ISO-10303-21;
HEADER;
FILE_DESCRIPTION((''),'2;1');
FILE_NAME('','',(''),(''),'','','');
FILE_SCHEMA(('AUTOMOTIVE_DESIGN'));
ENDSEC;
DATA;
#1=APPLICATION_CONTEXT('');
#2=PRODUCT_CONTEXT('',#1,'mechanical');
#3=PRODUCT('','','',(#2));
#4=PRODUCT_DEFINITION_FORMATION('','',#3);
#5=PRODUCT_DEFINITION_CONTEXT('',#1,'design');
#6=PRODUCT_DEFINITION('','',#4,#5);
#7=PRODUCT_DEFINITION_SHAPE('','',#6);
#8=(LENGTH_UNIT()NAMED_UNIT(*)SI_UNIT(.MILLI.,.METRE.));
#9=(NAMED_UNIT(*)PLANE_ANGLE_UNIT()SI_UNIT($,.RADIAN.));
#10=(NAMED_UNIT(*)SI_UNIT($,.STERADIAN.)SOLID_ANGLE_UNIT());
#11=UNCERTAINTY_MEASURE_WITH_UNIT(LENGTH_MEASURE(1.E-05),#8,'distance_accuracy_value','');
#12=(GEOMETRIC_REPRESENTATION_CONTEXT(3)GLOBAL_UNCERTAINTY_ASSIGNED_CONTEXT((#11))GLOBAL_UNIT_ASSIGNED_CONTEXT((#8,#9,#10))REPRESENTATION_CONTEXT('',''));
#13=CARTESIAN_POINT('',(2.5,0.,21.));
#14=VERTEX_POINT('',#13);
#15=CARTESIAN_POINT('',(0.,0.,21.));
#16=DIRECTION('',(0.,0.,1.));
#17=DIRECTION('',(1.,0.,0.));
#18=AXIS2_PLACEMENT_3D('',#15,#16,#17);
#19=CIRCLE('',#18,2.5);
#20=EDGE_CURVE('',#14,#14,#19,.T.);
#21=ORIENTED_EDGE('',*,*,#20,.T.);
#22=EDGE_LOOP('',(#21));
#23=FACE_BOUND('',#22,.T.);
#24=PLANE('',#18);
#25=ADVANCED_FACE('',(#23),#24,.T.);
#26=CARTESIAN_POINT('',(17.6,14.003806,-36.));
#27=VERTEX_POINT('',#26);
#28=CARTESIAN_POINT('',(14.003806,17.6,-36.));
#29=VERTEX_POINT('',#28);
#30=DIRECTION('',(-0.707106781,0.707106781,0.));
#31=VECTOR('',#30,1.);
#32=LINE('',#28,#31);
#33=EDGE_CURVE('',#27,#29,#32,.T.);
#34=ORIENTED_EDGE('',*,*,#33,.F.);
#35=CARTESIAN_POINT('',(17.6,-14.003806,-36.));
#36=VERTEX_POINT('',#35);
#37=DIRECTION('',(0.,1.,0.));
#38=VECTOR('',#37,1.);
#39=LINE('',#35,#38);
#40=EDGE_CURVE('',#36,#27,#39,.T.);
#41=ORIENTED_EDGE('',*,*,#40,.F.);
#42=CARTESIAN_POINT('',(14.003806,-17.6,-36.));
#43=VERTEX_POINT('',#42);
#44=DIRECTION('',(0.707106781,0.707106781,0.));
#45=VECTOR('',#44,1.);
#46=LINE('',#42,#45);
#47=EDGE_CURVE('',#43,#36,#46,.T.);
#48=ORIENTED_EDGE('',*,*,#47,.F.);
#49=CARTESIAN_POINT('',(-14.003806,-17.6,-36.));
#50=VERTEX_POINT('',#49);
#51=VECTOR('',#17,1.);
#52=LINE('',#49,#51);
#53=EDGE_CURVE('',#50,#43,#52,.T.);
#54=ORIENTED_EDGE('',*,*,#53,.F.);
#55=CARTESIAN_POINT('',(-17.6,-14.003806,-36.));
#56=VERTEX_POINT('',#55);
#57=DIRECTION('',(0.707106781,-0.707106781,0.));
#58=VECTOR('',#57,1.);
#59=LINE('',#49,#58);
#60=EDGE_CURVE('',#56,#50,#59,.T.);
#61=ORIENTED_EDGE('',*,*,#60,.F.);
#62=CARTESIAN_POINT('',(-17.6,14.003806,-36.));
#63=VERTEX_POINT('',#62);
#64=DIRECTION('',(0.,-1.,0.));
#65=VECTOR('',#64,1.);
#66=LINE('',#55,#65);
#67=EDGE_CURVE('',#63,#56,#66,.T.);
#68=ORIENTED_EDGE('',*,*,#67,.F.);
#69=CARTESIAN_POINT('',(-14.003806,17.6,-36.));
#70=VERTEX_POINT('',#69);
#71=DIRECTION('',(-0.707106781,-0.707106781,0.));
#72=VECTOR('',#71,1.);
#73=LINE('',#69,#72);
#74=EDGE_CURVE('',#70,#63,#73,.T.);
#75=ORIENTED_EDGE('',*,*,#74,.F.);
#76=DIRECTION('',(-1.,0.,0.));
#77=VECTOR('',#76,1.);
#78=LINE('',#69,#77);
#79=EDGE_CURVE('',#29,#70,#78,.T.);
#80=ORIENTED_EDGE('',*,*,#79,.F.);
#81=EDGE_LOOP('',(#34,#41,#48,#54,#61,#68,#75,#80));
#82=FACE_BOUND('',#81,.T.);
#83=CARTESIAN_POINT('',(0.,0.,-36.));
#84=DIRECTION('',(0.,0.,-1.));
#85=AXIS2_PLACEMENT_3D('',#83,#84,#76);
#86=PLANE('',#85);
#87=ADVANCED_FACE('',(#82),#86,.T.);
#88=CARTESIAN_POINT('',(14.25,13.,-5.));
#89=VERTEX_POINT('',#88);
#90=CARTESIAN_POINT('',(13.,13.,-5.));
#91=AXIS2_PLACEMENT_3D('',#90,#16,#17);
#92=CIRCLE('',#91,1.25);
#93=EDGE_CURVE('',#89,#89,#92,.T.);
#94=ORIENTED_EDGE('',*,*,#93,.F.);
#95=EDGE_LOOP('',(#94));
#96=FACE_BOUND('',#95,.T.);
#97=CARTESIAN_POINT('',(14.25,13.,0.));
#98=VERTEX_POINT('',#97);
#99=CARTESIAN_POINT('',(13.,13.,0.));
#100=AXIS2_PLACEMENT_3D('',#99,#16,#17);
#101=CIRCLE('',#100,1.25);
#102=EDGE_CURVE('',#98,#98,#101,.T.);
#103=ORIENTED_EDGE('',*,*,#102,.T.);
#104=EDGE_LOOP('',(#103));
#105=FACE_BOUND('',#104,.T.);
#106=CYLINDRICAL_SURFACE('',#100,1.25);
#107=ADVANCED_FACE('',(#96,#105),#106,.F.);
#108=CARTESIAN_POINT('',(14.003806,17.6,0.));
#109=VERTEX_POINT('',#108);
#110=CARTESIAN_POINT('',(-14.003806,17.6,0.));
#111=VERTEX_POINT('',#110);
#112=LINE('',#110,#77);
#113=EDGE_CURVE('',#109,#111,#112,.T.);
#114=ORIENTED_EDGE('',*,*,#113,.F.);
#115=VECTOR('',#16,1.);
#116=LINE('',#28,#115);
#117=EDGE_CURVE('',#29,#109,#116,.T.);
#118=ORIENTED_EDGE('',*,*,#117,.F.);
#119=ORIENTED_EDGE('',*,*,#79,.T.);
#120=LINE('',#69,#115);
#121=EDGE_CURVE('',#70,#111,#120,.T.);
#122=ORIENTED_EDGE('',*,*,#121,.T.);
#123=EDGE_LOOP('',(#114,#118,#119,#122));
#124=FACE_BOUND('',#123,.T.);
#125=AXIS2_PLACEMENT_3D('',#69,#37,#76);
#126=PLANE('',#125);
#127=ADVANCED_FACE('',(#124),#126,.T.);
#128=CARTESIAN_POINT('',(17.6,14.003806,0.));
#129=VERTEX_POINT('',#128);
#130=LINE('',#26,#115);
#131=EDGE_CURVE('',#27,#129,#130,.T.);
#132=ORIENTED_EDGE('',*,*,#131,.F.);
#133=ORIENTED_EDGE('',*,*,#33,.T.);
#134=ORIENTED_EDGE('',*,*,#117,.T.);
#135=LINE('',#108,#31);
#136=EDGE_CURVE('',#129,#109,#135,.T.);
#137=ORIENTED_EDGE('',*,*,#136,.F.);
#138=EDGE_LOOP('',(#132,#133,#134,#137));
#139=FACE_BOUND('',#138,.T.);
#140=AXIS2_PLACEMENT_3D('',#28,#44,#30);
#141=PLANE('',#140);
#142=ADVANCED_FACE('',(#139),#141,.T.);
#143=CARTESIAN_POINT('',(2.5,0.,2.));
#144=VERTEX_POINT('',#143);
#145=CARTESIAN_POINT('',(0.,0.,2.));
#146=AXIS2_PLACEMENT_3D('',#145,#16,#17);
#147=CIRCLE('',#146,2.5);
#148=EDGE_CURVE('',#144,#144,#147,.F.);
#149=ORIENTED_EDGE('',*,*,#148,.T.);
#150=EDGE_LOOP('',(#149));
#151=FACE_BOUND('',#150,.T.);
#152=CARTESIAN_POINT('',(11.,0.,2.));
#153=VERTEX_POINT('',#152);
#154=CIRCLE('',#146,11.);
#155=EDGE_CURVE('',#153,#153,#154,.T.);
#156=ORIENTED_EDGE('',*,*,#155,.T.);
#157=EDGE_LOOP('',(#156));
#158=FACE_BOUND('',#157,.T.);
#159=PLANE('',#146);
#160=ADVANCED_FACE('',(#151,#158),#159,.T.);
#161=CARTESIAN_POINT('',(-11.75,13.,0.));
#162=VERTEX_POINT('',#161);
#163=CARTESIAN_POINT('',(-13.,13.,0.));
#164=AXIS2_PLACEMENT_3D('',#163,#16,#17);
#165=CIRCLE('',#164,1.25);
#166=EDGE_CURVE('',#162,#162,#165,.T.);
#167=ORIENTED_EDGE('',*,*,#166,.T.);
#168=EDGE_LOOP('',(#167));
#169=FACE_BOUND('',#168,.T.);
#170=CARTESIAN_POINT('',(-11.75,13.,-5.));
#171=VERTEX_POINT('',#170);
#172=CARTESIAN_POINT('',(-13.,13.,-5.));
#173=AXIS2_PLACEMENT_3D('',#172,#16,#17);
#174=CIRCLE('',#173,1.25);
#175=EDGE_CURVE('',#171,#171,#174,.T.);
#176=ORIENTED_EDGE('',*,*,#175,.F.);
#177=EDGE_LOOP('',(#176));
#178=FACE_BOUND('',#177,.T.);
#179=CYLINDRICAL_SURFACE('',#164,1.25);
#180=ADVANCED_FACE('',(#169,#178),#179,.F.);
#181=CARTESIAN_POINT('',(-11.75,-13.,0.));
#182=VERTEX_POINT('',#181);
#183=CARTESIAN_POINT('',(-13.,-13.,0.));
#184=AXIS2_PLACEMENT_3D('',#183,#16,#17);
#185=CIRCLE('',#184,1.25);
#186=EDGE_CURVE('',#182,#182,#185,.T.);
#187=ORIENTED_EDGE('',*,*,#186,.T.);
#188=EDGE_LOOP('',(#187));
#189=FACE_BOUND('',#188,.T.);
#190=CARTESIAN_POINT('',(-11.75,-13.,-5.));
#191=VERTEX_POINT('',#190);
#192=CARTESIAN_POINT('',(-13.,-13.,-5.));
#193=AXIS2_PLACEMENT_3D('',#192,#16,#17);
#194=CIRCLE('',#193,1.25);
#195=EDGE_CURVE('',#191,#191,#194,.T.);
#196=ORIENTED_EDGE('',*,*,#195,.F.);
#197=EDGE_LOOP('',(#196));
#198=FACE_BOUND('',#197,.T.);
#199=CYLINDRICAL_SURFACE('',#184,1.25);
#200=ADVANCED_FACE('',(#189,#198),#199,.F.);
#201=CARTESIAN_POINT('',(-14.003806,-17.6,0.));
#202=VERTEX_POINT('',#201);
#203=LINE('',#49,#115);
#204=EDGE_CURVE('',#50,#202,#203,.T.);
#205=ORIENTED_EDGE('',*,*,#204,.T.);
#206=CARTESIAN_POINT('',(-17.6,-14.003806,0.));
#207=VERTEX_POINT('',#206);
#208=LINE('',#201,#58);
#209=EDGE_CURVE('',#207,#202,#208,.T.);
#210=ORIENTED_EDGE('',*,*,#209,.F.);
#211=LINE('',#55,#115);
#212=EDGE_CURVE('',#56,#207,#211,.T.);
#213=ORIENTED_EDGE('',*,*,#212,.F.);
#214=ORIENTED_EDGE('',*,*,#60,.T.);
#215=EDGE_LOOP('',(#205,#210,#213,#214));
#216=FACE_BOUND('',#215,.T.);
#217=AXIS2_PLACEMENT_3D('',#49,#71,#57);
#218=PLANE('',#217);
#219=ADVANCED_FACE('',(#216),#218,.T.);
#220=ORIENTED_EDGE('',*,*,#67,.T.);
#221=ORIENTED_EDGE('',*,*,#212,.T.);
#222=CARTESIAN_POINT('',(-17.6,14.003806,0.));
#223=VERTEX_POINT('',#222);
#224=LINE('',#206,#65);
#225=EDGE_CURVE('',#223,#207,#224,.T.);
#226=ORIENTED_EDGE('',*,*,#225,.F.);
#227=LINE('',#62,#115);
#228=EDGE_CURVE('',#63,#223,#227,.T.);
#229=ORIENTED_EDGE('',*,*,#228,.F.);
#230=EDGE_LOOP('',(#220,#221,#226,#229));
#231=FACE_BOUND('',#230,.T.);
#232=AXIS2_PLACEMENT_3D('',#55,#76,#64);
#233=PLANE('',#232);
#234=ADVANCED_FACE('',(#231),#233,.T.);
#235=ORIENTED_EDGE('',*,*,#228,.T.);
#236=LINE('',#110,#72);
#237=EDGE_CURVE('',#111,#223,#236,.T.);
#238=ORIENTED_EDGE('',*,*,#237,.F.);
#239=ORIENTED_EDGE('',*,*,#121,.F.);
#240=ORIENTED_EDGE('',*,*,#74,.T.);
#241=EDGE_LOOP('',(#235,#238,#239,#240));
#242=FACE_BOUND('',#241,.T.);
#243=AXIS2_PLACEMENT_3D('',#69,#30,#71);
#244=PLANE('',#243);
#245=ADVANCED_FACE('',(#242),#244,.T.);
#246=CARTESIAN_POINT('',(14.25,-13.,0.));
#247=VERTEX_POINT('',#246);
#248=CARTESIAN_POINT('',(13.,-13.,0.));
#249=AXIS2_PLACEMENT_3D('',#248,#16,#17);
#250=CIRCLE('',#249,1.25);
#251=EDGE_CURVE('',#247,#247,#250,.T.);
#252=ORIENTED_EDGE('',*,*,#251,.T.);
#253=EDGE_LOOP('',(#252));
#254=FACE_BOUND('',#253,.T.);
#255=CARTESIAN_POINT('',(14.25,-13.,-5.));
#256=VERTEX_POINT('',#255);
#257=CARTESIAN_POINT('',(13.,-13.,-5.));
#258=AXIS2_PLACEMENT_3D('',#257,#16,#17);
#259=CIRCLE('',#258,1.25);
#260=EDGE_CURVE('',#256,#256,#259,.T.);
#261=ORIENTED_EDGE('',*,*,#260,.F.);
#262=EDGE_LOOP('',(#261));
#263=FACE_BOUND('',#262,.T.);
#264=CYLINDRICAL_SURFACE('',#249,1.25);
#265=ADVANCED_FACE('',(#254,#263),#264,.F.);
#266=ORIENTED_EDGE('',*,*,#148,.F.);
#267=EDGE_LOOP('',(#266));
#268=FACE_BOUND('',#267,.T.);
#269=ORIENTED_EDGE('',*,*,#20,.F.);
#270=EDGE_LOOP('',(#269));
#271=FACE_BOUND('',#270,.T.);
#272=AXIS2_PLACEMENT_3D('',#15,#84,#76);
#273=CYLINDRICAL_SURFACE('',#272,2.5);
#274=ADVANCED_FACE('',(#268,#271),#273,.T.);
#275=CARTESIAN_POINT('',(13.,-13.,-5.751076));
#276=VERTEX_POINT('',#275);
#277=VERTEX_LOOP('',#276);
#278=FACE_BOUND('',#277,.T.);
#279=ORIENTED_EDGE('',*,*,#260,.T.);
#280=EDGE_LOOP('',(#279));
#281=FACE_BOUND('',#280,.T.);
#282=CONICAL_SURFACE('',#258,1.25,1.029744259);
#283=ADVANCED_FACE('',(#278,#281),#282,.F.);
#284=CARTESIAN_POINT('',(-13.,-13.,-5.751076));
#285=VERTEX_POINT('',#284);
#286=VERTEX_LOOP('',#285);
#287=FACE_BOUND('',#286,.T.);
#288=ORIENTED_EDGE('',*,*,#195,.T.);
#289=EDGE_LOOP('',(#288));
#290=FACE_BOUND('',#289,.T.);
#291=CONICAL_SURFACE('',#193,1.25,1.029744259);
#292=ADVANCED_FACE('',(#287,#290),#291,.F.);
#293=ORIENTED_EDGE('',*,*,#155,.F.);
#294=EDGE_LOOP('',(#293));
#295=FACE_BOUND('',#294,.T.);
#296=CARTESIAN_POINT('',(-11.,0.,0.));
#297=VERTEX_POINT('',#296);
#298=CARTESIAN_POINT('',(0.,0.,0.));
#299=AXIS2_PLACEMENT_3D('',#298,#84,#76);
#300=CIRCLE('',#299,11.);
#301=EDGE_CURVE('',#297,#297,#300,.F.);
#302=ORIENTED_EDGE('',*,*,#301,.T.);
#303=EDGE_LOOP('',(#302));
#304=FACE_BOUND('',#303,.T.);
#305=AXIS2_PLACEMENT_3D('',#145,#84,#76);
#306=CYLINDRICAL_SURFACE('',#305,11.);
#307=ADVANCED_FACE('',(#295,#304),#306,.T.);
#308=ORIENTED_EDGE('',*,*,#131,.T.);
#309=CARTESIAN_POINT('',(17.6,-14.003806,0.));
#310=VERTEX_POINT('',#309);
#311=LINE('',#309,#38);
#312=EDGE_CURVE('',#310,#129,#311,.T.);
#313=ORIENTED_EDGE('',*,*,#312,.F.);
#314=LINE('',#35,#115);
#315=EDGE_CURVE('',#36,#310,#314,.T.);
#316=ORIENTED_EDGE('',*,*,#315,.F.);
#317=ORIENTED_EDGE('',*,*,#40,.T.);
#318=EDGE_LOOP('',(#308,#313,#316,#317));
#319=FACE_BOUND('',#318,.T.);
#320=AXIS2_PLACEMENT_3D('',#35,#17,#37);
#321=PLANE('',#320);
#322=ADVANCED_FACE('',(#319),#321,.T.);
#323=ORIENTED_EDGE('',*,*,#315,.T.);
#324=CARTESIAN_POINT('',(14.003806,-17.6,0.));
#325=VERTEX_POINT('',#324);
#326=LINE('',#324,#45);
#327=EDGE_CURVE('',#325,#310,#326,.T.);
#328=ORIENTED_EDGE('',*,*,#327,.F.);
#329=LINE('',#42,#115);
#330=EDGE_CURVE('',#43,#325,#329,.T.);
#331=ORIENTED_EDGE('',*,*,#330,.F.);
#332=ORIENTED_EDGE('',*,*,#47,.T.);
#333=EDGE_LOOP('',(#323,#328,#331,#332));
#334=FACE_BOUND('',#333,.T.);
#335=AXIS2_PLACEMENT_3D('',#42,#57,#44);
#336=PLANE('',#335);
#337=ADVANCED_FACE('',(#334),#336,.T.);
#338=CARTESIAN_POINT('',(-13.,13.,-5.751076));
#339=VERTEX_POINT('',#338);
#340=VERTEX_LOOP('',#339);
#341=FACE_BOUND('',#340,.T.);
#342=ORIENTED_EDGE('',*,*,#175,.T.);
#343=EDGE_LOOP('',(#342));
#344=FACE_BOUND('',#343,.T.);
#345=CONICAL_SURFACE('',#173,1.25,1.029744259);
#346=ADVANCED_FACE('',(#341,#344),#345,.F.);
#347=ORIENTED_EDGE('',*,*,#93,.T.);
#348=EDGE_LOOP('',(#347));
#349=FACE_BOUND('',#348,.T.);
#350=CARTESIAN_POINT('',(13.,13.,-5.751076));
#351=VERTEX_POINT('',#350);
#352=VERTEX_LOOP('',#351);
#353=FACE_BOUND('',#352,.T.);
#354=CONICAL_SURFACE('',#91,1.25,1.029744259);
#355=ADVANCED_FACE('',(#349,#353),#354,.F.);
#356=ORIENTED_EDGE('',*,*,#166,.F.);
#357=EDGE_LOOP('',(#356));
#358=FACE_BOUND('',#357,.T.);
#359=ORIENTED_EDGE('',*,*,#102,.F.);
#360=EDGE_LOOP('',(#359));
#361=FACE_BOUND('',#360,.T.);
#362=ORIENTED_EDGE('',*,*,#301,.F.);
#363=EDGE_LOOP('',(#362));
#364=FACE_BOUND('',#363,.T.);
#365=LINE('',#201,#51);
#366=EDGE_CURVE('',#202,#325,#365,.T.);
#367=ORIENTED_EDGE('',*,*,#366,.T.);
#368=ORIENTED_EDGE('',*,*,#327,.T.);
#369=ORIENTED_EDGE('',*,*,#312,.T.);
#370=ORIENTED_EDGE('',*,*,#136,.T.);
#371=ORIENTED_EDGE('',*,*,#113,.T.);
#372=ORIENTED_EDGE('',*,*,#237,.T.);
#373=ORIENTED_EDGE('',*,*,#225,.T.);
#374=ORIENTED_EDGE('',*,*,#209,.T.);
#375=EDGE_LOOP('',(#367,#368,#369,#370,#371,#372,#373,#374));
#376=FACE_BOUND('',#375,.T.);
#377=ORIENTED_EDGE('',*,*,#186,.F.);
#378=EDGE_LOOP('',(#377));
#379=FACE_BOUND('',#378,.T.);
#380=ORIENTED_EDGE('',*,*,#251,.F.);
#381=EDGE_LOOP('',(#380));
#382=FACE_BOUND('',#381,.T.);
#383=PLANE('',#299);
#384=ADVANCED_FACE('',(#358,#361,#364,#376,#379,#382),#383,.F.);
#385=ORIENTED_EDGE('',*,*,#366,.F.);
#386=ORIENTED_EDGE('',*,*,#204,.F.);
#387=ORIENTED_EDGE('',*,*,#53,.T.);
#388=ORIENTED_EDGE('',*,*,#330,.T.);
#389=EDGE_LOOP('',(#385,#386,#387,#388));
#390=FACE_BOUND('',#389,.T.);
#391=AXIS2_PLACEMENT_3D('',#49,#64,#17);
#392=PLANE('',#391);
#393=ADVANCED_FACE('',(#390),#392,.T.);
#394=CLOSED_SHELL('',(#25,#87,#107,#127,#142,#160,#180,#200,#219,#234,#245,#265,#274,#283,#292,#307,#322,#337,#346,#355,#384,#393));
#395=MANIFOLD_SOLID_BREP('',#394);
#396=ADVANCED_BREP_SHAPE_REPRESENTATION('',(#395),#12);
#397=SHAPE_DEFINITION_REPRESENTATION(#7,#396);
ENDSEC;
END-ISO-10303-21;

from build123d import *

# Parameters (mm, degrees)
BOSS_EXTRUDE1_DEPTH       = 36
SKETCH2_R                 = 11
BOSS_EXTRUDE2_DEPTH       = 2
SKETCH3_R                 = 2.5
BOSS_EXTRUDE3_DEPTH       = 21
M3X0_5_TAPPED_HOLE1_D     = 2.5
M3X0_5_TAPPED_HOLE1_DEPTH = 5
M3X0_5_TAPPED_HOLE1_TIP   = 0.751075774


with BuildPart() as part:
    # Sketch1 → Boss-Extrude1 (new body)
    with BuildSketch(Plane.XY):
        Polygon((-14.003805752, -17.6), (14.003805752, -17.6), (17.6, -14.003805752), (17.6, 14.003805752), (14.003805752, 17.6), (-14.003805752, 17.6), (-17.6, 14.003805752), (-17.6, -14.003805752), align=None)
    extrude(amount=-BOSS_EXTRUDE1_DEPTH)

    # Sketch2 → Boss-Extrude2 (add)
    with BuildSketch(Plane.XY):
        Circle(SKETCH2_R)
    extrude(amount=BOSS_EXTRUDE2_DEPTH)

    # Sketch3 → Boss-Extrude3 (add)
    with BuildSketch(Plane.XY):
        Circle(SKETCH3_R)
    extrude(amount=BOSS_EXTRUDE3_DEPTH)

    # M3x0.5 Tapped Hole1
    with Locations(Plane.XY):
        with Locations((-13, -13), (13, -13), (13, 13), (-13, 13)):
            Hole(M3X0_5_TAPPED_HOLE1_D / 2, depth=M3X0_5_TAPPED_HOLE1_DEPTH)
            with Locations((0, 0, -(M3X0_5_TAPPED_HOLE1_DEPTH + M3X0_5_TAPPED_HOLE1_TIP / 2))):  # 118° drill point
                Cone(0, M3X0_5_TAPPED_HOLE1_D / 2, M3X0_5_TAPPED_HOLE1_TIP, mode=Mode.SUBTRACT)


solid = part.part
